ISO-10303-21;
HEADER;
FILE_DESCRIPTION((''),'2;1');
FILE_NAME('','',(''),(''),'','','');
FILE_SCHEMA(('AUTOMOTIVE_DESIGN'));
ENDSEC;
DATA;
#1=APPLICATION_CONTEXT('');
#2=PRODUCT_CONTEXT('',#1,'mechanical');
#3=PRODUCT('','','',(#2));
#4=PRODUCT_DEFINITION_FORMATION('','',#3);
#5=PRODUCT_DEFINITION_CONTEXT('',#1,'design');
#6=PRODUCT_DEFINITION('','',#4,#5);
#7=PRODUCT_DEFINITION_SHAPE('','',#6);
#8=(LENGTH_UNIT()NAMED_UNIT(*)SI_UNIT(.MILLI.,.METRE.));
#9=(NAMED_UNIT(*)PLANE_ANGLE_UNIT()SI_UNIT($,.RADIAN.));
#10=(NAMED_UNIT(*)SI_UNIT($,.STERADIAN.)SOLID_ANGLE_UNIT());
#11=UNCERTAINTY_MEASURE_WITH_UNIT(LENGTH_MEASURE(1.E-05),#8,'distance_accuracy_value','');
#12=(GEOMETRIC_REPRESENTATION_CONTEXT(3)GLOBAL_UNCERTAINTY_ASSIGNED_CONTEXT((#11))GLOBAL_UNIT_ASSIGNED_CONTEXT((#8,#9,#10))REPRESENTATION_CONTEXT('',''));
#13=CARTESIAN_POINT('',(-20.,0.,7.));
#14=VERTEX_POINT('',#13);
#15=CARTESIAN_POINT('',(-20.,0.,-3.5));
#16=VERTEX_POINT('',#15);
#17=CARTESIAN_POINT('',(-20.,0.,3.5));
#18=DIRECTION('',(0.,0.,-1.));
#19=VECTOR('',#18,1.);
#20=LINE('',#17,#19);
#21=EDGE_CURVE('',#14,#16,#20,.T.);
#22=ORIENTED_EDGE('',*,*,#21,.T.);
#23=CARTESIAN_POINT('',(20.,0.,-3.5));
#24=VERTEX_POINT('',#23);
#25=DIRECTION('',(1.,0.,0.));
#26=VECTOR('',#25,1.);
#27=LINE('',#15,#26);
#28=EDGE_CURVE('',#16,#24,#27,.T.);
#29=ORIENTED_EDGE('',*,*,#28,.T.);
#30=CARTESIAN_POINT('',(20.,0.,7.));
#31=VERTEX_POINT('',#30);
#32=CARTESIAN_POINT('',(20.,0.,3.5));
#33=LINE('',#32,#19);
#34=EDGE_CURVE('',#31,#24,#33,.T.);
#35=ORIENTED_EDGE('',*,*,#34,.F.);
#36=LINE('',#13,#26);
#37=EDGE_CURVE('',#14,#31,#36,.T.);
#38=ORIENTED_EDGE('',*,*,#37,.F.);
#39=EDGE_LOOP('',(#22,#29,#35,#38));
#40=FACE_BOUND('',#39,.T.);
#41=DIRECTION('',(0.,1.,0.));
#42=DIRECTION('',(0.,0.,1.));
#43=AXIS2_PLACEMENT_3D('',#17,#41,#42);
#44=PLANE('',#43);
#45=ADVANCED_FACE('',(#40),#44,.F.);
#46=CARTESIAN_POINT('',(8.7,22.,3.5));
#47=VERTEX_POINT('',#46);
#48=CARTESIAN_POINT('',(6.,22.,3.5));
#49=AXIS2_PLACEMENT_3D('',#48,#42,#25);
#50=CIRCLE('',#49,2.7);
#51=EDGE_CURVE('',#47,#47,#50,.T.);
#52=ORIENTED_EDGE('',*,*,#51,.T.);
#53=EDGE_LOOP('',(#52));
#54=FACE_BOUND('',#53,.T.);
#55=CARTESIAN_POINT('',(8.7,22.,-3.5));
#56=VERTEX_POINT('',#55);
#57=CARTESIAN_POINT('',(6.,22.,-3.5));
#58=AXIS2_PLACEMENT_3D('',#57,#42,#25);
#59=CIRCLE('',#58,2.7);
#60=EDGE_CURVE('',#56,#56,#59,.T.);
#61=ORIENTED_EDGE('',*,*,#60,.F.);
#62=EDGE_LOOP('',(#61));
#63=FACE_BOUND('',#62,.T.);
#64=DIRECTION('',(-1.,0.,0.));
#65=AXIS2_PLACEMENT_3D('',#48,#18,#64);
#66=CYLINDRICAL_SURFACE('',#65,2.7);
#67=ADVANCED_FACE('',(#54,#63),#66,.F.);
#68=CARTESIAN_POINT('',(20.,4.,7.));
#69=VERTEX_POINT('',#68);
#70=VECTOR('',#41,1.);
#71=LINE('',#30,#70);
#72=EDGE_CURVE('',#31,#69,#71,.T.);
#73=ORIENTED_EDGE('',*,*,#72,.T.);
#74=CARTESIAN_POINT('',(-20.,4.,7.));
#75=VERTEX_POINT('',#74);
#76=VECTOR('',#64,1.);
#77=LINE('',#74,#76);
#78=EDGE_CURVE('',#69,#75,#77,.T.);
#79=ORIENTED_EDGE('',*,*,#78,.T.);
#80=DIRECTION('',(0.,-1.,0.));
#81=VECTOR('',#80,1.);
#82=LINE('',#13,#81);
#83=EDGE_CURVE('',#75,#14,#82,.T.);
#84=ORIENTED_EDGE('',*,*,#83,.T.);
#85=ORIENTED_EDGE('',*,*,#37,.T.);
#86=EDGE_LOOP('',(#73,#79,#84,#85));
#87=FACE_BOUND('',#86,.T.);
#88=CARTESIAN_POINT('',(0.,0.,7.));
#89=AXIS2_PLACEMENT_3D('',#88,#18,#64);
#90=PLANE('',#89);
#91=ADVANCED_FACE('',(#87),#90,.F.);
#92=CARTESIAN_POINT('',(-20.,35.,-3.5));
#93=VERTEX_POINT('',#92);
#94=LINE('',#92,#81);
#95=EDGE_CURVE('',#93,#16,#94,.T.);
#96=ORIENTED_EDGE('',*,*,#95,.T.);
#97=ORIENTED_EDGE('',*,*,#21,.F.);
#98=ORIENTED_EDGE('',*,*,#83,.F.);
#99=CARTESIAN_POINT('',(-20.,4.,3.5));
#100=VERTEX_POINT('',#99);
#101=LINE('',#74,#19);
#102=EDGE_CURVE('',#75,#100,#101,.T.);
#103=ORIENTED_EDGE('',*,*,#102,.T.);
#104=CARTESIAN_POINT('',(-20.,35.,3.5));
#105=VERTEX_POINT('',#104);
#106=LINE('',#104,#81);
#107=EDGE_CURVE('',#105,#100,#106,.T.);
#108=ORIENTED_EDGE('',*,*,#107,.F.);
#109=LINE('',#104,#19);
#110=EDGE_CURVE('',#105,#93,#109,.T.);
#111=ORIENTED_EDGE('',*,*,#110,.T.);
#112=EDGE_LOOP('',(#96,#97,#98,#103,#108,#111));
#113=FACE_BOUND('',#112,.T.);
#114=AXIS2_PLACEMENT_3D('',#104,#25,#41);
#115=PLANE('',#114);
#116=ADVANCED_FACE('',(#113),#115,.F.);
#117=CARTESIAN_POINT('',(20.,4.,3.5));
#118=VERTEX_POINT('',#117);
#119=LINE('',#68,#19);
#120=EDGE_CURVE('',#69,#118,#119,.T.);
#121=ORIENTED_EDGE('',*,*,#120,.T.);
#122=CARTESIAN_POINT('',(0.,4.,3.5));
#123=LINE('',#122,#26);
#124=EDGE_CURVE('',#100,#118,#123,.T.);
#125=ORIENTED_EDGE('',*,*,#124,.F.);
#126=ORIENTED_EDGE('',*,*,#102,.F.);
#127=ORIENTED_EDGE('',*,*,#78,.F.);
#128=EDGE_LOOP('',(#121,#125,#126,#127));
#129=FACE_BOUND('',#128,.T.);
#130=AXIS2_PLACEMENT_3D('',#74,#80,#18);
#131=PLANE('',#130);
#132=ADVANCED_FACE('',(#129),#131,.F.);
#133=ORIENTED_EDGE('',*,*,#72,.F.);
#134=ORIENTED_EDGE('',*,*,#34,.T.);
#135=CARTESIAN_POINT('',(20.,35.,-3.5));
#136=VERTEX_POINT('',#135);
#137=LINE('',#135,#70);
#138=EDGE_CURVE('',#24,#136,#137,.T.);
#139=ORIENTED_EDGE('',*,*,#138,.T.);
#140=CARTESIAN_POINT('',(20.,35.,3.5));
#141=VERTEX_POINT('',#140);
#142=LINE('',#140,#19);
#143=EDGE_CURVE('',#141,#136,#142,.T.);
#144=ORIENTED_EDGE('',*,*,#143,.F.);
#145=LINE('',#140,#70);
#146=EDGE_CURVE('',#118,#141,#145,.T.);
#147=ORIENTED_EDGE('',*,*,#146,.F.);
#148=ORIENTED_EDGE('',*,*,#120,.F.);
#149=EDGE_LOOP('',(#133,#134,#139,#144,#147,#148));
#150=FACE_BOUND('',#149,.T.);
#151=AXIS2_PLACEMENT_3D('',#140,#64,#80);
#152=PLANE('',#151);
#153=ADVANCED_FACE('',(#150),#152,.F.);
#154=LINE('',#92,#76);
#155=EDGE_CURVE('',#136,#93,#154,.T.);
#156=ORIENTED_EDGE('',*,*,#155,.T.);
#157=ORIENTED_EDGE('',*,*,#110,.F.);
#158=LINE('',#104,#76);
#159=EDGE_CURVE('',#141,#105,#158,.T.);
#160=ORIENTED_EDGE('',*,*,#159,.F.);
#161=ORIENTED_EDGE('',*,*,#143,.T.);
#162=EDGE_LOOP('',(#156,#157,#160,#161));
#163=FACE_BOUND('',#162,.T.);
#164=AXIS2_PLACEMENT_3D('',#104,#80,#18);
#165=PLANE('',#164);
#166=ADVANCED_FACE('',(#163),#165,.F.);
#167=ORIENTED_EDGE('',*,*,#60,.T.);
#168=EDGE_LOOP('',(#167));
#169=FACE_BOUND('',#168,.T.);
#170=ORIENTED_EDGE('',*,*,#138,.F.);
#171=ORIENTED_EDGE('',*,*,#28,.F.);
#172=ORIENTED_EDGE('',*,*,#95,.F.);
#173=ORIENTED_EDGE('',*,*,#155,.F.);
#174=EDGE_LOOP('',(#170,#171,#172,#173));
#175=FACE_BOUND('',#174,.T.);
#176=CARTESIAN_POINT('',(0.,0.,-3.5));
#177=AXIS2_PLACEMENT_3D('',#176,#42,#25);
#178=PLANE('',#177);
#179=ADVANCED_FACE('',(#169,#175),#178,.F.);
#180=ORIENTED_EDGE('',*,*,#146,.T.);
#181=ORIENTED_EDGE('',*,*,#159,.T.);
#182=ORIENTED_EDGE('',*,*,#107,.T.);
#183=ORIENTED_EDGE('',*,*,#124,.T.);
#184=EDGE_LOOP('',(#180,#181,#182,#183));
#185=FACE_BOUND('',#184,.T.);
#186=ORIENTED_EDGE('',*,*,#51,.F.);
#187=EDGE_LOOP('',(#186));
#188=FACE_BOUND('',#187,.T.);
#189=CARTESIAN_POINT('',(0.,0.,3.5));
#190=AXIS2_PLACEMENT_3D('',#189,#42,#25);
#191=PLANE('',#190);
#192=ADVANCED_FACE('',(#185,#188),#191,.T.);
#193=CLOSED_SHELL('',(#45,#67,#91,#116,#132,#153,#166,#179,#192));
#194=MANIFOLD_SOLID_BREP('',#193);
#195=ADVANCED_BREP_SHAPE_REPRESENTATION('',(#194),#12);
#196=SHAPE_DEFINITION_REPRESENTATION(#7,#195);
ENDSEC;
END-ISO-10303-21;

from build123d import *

# Parameters (mm, degrees)
SKETCH_1_W      = 40
SKETCH_1_H      = 35
SKETCH_1_R      = 2.7
EXTRUDE_1_DEPTH = 3.5
SKETCH_2_W      = 40
SKETCH_2_H      = 4
EXTRUDE_2_DEPTH = 7


with BuildPart() as part:
    # 草图1 → 凸台-拉伸1 (new, symmetric)
    with BuildSketch(Plane.XY):
        with Locations((0, 17.5)):
            Rectangle(SKETCH_1_W, SKETCH_1_H)
        with Locations((6, 22)):
            Circle(SKETCH_1_R, mode=Mode.SUBTRACT)
    extrude(amount=EXTRUDE_1_DEPTH, both=True)

    # 草图2 → 凸台-拉伸2 (add)
    with BuildSketch(Plane.XY):
        with Locations((0, 2)):
            Rectangle(SKETCH_2_W, SKETCH_2_H)
    extrude(amount=EXTRUDE_2_DEPTH)


solid = part.part
